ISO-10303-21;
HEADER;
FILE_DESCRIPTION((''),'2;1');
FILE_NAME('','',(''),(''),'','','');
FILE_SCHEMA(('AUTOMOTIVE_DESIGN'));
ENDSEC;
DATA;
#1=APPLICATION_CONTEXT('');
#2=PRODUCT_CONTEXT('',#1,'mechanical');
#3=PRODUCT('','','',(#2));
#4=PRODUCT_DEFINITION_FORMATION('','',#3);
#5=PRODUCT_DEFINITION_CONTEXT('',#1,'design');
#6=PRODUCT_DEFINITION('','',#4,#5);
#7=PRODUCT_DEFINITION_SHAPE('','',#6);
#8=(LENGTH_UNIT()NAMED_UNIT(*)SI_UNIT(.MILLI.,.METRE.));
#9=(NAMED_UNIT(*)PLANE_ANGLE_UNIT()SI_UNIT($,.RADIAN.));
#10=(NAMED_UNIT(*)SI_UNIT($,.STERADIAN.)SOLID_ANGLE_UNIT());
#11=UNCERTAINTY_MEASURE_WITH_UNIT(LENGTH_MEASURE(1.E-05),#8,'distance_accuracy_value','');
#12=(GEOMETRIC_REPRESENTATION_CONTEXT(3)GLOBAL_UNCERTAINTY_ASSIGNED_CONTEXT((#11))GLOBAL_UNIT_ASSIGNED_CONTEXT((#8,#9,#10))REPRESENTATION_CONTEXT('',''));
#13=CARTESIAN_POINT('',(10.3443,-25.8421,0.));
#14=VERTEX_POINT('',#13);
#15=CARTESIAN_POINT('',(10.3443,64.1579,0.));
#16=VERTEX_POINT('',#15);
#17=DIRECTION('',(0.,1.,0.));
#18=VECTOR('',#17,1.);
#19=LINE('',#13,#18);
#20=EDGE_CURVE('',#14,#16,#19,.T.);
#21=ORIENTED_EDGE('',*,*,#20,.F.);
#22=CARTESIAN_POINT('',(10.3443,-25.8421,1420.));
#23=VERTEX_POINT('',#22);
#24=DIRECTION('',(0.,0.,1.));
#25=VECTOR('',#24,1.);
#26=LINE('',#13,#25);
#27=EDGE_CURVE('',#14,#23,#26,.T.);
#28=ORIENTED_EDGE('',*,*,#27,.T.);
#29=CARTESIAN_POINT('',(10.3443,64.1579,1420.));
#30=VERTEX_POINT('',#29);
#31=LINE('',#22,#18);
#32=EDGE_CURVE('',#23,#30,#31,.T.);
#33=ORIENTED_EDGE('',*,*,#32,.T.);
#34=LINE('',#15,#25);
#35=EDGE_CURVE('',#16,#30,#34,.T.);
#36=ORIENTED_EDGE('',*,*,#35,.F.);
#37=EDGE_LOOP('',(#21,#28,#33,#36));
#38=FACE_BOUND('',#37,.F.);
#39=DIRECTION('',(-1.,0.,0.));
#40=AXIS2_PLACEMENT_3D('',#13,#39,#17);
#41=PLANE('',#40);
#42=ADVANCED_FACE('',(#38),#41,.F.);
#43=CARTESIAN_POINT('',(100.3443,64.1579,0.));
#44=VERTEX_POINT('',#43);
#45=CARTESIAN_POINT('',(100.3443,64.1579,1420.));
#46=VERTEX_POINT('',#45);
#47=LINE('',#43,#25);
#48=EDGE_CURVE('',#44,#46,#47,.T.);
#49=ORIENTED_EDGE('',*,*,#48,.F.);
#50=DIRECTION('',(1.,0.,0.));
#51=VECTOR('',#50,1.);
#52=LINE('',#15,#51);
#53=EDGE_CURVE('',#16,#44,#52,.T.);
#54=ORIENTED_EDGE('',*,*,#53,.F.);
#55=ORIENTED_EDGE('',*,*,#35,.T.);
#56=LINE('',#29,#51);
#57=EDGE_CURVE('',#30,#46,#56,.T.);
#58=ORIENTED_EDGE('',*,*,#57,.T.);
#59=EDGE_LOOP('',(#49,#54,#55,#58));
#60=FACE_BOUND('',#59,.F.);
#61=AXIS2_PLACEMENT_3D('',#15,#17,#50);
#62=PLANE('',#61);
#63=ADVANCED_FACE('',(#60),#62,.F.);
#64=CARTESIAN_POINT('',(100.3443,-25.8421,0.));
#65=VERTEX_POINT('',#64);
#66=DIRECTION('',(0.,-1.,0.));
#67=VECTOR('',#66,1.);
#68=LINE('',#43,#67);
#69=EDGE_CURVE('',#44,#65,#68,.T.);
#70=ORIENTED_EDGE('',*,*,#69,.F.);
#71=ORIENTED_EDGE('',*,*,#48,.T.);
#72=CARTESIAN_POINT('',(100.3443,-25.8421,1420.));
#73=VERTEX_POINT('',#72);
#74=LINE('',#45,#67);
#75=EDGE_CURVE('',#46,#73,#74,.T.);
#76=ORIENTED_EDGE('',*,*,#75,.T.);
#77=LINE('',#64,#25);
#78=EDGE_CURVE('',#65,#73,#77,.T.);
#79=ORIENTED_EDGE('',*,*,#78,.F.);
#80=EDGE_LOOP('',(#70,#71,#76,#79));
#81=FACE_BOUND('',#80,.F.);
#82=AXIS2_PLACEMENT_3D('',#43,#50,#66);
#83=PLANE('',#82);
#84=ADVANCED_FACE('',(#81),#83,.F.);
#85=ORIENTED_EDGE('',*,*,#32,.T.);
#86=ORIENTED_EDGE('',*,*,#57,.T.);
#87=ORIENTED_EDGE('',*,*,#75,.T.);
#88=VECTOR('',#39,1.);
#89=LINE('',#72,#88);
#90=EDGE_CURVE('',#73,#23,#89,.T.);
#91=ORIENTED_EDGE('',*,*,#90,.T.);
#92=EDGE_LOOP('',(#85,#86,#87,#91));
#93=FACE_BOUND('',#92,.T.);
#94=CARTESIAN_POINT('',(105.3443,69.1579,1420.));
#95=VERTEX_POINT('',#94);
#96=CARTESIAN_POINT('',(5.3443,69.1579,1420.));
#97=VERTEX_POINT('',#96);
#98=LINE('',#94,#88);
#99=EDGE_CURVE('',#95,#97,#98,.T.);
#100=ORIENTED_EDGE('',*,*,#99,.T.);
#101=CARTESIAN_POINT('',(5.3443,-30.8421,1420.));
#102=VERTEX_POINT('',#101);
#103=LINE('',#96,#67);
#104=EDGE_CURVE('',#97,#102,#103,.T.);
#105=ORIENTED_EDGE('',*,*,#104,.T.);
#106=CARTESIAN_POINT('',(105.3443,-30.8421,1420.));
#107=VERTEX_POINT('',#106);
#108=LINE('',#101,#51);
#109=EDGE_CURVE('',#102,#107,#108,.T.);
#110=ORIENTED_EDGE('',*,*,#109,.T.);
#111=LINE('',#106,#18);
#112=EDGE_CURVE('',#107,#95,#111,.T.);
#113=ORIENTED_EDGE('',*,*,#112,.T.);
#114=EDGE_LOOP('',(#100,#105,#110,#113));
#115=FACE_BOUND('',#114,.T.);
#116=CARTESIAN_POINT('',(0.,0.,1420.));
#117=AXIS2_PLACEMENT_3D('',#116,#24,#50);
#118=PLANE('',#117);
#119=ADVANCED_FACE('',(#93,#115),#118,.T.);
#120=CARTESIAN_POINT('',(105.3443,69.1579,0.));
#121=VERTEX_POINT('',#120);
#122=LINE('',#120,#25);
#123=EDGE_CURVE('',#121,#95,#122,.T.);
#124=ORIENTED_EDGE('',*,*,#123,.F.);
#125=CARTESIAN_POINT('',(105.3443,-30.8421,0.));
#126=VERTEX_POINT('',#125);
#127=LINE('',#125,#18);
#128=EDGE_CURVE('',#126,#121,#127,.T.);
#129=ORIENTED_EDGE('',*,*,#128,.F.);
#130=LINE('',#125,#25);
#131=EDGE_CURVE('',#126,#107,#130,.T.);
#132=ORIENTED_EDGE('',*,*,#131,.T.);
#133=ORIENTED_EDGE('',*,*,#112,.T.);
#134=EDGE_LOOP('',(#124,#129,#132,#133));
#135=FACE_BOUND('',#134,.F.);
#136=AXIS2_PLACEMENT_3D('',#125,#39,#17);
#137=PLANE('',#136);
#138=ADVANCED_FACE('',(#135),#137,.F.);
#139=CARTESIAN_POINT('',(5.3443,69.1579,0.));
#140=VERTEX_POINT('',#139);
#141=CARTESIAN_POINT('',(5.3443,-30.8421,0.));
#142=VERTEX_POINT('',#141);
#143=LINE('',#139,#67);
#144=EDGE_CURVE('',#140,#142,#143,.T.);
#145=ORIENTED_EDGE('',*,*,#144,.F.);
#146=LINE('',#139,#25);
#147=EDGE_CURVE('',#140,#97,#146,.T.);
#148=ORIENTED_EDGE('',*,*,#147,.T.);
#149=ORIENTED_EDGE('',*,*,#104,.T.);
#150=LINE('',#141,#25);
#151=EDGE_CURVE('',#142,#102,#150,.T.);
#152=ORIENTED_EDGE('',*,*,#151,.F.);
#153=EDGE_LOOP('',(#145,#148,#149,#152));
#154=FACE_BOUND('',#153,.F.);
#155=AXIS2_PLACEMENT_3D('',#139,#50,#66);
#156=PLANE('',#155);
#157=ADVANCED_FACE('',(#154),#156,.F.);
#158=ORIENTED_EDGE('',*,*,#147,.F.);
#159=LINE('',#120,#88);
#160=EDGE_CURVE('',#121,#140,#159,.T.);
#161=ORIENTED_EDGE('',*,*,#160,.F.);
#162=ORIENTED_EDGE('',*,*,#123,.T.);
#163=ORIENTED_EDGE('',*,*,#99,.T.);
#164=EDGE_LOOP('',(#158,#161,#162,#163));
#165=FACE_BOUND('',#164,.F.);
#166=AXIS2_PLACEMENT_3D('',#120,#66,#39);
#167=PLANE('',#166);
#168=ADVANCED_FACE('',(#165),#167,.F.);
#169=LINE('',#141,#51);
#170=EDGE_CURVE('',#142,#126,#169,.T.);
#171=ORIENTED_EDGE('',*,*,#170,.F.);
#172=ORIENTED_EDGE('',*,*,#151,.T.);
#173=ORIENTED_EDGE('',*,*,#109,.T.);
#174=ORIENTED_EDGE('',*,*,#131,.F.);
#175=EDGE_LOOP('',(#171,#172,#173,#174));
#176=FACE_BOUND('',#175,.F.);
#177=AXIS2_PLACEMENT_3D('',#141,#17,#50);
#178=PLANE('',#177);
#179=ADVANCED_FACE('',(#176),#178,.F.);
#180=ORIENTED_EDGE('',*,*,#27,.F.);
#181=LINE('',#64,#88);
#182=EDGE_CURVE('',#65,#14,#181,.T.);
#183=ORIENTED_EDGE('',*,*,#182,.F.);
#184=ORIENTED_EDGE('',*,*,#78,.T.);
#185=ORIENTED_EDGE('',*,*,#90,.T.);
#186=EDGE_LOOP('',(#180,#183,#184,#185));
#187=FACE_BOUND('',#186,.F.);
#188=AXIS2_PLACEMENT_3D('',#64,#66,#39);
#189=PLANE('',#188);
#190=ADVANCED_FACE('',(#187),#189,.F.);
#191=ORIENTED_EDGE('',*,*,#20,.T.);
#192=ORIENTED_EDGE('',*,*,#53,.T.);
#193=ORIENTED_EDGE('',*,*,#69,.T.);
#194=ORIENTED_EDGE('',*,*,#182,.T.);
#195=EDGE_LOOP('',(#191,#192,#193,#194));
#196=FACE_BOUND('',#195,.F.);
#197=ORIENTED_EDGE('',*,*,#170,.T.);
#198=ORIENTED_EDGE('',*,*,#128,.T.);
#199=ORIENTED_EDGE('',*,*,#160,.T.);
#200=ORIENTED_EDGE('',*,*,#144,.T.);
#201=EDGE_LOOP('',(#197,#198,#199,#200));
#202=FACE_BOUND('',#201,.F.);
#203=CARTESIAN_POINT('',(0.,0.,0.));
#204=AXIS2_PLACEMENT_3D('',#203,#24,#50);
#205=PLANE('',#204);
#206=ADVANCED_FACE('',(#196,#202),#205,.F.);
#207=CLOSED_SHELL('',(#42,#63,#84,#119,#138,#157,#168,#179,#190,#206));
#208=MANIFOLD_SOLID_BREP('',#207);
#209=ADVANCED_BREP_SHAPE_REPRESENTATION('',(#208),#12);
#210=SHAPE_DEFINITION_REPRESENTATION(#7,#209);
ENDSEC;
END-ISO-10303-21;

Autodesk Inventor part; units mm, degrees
ref_plane "YZ Plane" through (0, 0, 0) normal (1, 0, 0) x (0, 1, 0)
ref_plane "XZ Plane" through (0, 0, 0) normal (0, 1, 0) x (-1, 0, 0)
ref_plane "XY Plane" through (0, 0, 0) normal (0, 0, 1) x (1, 0, 0)
sketch "Sketch1" plane through (0, 0, 0) normal (0, 0, 1) x (1, 0, 0)
  line L0 (5.3443, -30.8421) -> (105.3443, -30.8421)
  line L1 (105.3443, -30.8421) -> (105.3443, 69.1579)
  line L2 (105.3443, 69.1579) -> (5.3443, 69.1579)
  line L3 (5.3443, 69.1579) -> (5.3443, -30.8421)
  line L4 (10.3443, 64.1579) -> (100.3443, 64.1579)
  line L5 (100.3443, 64.1579) -> (100.3443, -25.8421)
  line L6 (100.3443, -25.8421) -> (10.3443, -25.8421)
  line L7 (10.3443, -25.8421) -> (10.3443, 64.1579)
  point P0 (0, 0)
  dimension "d0" = 100
  dimension "d1" = 100
  dimension "d2" = 5
  dimension "d3" = 5
  dimension "d4" = 5
  dimension "d5" = 5
extrude "Extrusion1" add sketch "Sketch1" along normal blind 1420
properties part number "bluethingfortable"
